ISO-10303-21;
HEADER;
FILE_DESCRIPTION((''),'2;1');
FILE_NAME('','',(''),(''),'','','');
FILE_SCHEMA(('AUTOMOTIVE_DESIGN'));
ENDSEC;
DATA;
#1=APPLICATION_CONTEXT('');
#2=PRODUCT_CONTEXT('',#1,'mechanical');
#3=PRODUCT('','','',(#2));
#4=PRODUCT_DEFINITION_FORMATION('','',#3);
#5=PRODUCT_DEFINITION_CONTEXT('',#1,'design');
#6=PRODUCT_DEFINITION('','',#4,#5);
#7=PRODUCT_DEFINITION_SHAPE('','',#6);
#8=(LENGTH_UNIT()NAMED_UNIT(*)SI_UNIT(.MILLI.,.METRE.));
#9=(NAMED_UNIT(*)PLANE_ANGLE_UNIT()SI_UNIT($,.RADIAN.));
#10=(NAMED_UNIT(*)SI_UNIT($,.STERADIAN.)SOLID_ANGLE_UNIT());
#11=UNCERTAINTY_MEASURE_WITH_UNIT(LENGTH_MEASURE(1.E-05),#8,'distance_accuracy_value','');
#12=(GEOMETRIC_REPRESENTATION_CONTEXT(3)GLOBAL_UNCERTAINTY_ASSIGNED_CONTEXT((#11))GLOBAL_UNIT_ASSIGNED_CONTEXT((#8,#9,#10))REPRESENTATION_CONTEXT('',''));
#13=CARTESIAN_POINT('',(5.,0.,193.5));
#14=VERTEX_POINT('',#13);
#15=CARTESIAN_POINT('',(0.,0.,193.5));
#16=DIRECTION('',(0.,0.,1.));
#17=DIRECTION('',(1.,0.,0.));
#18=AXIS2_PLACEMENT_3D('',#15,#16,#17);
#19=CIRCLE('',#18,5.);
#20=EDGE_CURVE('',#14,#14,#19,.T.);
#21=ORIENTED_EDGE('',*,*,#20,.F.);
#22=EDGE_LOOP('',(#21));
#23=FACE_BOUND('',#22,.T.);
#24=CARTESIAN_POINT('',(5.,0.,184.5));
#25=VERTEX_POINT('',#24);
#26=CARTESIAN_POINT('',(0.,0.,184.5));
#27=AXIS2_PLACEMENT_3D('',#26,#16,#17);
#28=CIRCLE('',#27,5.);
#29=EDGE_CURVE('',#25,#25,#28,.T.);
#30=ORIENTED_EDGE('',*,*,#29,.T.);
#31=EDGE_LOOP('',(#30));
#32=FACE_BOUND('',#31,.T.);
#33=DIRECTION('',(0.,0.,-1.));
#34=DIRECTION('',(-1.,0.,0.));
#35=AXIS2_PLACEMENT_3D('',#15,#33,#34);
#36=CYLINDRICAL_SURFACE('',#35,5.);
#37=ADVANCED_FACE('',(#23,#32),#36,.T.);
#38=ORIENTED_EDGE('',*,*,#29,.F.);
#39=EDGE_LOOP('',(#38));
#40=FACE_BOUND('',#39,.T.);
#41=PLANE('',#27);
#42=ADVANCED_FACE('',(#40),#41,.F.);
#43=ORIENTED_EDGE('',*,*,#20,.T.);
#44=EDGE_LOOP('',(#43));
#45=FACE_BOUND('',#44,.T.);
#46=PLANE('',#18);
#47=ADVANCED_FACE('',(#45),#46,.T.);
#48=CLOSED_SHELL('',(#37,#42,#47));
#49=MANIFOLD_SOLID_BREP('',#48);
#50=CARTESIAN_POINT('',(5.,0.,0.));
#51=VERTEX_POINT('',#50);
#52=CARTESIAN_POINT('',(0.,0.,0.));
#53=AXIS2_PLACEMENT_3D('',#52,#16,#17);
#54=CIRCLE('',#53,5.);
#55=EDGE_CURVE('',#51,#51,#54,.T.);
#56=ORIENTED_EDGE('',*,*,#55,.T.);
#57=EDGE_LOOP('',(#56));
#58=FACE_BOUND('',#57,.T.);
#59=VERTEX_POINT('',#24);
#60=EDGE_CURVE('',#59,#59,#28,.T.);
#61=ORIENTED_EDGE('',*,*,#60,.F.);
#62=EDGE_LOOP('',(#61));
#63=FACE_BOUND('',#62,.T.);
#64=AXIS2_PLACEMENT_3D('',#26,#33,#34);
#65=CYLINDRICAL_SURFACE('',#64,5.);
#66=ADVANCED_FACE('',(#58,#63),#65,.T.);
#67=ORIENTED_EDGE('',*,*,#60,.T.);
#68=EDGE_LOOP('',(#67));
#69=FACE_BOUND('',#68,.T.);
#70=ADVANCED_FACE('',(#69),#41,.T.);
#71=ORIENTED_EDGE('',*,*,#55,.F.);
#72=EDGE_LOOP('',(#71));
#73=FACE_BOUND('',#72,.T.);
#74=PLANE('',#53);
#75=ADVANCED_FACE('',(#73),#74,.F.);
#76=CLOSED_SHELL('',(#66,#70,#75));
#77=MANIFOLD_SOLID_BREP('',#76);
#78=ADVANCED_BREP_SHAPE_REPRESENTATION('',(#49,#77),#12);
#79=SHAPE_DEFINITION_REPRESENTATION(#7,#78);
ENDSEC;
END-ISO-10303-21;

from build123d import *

# Parameters (mm, degrees)
SKETCH1_R           = 5
BOSS_EXTRUDE1_DEPTH = 184.5
SKETCH2_R           = 5
BOSS_EXTRUDE2_DEPTH = 9


with BuildPart() as part:
    # Sketch1 → Boss-Extrude1 (new body)
    with BuildSketch(Plane.XY):
        Circle(SKETCH1_R)
    extrude(amount=BOSS_EXTRUDE1_DEPTH)


with BuildPart() as body_2:
    # Sketch2 → Boss-Extrude2 (new body)
    with BuildSketch(Plane.XY.offset(184.5)):
        Circle(SKETCH2_R)
    extrude(amount=BOSS_EXTRUDE2_DEPTH)


solid = Compound([part.part, body_2.part])
